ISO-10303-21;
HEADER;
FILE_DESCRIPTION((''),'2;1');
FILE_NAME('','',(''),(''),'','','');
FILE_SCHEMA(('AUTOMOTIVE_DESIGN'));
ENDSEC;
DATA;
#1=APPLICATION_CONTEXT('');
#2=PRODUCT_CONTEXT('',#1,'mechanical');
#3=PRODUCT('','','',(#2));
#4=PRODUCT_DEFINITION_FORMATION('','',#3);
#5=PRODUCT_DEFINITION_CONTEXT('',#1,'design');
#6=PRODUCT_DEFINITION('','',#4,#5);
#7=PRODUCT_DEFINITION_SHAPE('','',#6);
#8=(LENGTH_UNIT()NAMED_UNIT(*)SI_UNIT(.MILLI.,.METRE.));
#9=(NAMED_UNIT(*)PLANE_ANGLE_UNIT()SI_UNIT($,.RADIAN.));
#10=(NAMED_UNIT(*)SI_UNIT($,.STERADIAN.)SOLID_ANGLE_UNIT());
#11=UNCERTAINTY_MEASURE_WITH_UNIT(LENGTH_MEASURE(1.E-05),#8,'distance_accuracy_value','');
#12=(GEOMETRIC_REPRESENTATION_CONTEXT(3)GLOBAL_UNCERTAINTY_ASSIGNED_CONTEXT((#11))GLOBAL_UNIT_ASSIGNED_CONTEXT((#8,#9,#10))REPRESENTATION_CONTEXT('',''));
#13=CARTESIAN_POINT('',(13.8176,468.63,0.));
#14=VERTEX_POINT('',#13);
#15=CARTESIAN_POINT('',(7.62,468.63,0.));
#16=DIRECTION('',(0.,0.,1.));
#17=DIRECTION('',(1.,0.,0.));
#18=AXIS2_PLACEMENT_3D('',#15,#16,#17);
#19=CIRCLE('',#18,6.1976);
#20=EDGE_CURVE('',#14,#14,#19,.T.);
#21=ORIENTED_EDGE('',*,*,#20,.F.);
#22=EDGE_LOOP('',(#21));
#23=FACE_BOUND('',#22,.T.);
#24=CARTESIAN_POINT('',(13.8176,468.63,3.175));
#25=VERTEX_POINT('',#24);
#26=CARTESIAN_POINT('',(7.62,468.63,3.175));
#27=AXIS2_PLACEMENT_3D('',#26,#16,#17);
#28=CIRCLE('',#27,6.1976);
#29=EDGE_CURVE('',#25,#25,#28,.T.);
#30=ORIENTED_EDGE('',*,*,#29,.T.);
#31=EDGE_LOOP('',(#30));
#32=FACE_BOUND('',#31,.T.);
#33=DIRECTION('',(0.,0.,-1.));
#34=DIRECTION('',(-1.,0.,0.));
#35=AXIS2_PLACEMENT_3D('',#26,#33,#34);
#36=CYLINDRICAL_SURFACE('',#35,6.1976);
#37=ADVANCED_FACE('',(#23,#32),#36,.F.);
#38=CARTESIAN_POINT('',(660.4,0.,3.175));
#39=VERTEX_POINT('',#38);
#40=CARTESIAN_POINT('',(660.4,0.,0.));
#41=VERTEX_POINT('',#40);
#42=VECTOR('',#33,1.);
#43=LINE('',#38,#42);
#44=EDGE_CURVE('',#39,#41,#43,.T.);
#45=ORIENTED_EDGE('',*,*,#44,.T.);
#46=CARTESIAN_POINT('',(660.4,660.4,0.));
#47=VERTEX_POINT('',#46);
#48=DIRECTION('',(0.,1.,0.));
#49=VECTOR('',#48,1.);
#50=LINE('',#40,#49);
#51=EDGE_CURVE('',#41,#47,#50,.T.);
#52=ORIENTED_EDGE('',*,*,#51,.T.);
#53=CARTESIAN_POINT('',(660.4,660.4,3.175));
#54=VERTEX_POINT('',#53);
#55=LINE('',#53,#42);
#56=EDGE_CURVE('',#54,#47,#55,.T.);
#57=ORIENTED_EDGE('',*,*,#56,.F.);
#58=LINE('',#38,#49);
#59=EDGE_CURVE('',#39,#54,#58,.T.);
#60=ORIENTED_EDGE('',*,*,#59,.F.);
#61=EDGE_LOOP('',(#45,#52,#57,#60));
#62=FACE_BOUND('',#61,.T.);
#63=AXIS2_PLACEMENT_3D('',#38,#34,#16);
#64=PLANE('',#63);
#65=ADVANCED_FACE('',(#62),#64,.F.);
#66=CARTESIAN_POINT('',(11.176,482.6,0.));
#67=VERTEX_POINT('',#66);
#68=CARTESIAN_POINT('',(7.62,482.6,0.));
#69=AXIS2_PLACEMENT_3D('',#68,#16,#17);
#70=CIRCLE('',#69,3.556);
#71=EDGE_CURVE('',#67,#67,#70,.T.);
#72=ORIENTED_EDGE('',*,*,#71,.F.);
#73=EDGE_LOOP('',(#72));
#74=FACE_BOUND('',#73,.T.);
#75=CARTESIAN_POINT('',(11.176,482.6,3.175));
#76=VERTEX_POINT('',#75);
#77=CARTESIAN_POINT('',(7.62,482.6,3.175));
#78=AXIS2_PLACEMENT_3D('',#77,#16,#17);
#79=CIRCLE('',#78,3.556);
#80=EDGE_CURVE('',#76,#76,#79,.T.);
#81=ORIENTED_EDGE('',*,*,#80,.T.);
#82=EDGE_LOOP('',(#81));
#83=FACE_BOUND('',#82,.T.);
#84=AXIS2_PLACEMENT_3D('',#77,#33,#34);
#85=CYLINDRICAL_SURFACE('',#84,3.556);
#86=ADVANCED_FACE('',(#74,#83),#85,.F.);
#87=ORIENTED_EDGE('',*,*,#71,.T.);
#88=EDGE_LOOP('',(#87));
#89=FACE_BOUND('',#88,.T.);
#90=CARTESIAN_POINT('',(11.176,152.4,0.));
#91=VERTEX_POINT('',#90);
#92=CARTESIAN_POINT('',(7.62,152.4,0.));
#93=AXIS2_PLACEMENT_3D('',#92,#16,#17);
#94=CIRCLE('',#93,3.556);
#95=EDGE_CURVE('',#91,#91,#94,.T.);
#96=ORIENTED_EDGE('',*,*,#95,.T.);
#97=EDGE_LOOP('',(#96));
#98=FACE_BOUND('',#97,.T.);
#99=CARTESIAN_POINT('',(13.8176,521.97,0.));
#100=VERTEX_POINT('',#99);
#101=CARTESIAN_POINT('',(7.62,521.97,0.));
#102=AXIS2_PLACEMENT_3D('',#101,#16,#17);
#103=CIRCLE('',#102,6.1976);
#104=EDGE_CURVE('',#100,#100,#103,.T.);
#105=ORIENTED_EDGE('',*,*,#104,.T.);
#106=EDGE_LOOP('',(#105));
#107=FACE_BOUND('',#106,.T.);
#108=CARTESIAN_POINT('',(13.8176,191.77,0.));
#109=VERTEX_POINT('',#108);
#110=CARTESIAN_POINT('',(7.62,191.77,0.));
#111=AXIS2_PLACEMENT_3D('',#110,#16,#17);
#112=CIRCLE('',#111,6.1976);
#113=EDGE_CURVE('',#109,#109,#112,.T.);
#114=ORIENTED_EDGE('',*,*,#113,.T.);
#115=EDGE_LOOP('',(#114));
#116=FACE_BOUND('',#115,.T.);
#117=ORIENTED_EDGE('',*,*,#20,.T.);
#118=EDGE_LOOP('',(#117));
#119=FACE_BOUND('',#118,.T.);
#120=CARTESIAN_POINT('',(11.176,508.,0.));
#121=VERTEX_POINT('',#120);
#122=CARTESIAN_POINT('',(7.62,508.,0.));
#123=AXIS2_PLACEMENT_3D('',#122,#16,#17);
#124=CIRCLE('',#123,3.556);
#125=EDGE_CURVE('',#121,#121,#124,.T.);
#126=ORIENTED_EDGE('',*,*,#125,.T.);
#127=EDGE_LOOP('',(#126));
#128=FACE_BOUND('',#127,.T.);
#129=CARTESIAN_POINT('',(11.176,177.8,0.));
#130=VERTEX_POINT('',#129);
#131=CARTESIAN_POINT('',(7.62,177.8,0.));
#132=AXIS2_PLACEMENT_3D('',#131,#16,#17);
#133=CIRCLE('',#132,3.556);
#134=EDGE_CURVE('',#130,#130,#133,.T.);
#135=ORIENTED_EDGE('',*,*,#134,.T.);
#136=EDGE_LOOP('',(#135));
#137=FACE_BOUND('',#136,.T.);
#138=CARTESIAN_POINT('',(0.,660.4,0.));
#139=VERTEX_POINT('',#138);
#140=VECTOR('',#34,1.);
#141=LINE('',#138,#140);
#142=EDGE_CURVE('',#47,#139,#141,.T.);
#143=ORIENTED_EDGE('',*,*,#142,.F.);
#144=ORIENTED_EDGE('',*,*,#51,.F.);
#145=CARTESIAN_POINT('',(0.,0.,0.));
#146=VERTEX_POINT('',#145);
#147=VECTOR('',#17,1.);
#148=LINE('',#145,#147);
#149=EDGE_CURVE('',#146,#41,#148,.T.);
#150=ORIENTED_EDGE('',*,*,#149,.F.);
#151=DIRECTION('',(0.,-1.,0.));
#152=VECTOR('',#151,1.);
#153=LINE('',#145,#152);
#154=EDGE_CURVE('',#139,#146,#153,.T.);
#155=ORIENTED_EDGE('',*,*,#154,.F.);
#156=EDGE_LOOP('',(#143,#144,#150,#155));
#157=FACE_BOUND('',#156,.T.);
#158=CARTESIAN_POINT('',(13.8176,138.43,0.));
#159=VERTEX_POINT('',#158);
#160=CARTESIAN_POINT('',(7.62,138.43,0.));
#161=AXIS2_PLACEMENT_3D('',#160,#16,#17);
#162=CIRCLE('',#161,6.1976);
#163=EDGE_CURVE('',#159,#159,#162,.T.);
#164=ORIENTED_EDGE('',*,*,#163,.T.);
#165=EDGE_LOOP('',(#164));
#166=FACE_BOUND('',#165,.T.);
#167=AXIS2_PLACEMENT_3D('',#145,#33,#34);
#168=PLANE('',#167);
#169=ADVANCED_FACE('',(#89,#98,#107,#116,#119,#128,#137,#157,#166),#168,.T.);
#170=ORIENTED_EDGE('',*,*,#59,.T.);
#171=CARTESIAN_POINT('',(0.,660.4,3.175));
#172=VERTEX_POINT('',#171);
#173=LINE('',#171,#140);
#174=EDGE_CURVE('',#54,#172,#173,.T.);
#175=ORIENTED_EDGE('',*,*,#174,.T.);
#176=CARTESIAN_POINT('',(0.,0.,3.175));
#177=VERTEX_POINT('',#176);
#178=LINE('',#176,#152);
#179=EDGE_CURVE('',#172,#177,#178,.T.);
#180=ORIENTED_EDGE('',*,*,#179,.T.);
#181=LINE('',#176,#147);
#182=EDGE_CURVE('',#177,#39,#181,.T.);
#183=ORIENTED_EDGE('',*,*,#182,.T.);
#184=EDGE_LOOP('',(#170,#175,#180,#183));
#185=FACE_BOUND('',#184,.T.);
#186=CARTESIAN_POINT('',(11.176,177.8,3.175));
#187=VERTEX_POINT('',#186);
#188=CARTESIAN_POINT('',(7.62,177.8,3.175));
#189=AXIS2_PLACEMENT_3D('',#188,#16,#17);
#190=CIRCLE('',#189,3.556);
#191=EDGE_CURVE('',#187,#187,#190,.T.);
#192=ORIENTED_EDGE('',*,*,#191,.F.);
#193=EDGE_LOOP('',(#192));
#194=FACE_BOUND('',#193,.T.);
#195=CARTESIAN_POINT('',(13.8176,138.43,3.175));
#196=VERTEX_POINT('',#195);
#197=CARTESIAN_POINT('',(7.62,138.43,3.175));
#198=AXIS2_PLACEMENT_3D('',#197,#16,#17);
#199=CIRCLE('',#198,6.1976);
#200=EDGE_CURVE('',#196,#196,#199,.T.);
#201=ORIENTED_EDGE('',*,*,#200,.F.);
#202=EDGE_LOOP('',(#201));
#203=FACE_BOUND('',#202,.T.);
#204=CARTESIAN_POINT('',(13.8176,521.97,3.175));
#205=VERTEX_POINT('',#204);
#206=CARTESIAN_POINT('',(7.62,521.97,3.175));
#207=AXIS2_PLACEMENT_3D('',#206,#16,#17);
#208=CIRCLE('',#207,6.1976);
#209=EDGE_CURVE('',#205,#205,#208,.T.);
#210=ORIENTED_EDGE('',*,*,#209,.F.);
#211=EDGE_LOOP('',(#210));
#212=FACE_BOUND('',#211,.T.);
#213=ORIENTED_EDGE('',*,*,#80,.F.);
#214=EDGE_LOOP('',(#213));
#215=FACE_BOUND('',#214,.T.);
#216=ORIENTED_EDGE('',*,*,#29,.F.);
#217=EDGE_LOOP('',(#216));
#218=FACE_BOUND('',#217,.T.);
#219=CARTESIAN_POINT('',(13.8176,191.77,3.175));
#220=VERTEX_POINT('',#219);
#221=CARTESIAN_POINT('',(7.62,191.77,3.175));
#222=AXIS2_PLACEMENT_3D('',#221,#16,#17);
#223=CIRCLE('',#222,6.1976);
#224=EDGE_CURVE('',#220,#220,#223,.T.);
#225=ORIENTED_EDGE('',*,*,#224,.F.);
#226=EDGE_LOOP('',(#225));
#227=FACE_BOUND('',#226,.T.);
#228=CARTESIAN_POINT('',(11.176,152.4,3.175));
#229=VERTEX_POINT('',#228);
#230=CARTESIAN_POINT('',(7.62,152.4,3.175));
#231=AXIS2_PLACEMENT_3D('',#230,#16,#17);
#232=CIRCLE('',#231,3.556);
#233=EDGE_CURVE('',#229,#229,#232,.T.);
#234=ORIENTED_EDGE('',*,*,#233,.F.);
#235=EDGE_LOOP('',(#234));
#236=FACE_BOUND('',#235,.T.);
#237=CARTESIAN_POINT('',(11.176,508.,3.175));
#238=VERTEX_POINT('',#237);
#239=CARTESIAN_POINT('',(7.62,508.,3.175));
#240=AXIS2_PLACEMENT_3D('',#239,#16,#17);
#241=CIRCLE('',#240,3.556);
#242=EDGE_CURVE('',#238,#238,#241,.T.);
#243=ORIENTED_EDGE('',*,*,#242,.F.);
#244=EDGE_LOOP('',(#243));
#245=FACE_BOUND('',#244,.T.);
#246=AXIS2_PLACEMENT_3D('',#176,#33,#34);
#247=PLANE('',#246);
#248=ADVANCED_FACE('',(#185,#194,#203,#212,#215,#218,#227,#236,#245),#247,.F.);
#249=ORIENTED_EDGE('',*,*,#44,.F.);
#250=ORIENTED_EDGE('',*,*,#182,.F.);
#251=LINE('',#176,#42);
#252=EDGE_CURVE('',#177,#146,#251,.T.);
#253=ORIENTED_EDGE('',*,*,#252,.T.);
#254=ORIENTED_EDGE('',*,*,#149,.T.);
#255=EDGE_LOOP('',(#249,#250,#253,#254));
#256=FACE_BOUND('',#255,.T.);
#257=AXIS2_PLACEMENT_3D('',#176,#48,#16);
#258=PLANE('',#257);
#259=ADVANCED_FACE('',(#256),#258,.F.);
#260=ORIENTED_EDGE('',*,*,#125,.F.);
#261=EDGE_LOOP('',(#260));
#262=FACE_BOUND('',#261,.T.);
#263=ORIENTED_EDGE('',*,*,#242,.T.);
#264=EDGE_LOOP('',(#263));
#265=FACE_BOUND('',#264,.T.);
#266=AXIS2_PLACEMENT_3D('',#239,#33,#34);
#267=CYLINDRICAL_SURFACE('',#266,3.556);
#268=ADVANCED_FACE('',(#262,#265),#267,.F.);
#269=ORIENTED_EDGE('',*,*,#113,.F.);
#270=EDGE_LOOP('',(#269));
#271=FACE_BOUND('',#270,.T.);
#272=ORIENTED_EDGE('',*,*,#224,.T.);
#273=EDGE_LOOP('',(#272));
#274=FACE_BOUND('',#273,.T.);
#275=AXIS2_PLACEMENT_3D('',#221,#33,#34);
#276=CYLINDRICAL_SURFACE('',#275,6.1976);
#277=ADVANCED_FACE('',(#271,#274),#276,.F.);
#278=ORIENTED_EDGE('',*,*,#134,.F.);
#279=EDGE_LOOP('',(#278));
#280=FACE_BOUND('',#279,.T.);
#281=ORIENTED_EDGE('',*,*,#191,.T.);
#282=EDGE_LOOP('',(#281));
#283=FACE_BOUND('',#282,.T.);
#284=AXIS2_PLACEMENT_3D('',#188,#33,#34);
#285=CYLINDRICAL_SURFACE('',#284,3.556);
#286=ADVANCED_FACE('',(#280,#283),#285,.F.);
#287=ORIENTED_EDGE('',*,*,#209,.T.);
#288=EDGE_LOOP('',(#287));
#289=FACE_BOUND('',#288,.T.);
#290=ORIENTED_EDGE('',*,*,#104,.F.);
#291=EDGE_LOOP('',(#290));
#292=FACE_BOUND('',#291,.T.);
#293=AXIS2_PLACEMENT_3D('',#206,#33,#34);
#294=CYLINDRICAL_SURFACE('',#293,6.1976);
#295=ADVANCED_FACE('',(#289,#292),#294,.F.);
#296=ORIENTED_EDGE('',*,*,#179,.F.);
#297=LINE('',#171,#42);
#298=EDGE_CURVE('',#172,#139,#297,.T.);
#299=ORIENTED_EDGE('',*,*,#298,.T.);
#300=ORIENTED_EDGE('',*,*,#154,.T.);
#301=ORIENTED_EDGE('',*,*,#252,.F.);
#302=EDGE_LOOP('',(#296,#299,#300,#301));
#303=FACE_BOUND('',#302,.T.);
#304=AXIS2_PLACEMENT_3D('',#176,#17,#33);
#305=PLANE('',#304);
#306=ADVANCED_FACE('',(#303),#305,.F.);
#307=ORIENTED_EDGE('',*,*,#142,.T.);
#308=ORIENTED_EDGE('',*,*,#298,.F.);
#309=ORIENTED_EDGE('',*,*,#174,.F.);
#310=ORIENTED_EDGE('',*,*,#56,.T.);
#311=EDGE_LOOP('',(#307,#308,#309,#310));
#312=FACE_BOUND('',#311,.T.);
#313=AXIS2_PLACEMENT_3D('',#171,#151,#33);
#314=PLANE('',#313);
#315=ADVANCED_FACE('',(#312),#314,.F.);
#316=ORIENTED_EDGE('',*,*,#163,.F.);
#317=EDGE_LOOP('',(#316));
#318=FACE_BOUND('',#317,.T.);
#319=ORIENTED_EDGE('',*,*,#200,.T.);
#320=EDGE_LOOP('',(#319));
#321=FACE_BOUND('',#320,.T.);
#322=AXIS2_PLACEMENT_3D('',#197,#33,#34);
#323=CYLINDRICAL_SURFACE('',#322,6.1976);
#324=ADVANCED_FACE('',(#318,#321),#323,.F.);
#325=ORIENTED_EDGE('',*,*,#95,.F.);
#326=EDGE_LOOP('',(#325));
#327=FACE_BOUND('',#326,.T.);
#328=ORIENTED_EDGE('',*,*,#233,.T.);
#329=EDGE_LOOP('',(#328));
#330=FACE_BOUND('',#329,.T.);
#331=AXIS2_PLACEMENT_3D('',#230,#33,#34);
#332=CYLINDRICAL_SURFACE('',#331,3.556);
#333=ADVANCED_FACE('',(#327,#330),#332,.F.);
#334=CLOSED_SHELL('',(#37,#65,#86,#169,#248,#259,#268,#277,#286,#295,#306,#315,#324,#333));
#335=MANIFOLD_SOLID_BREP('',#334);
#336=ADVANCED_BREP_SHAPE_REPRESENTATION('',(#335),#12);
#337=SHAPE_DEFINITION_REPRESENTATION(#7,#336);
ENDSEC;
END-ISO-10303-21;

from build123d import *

# Parameters (mm, degrees)
SKETCH1_W           = 660.4
SKETCH1_H           = 660.4
SKETCH1_R           = 3.556
SKETCH1_R_2         = 6.1976
BOSS_EXTRUDE1_DEPTH = 3.175


with BuildPart() as part:
    # Sketch1 → Boss-Extrude1 (new body)
    with BuildSketch(Plane.XY):
        with Locations((330.2, 330.2)):
            Rectangle(SKETCH1_W, SKETCH1_H)
        with Locations((7.62, 508)):
            Circle(SKETCH1_R, mode=Mode.SUBTRACT)
        with Locations((7.62, 482.6)):
            Circle(SKETCH1_R, mode=Mode.SUBTRACT)
        with Locations((7.62, 177.8)):
            Circle(SKETCH1_R, mode=Mode.SUBTRACT)
        with Locations((7.62, 152.4)):
            Circle(SKETCH1_R, mode=Mode.SUBTRACT)
        with Locations((7.62, 521.97)):
            Circle(SKETCH1_R_2, mode=Mode.SUBTRACT)
        with Locations((7.62, 468.63)):
            Circle(SKETCH1_R_2, mode=Mode.SUBTRACT)
        with Locations((7.62, 191.77)):
            Circle(SKETCH1_R_2, mode=Mode.SUBTRACT)
        with Locations((7.62, 138.43)):
            Circle(SKETCH1_R_2, mode=Mode.SUBTRACT)
    extrude(amount=BOSS_EXTRUDE1_DEPTH)


solid = part.part
